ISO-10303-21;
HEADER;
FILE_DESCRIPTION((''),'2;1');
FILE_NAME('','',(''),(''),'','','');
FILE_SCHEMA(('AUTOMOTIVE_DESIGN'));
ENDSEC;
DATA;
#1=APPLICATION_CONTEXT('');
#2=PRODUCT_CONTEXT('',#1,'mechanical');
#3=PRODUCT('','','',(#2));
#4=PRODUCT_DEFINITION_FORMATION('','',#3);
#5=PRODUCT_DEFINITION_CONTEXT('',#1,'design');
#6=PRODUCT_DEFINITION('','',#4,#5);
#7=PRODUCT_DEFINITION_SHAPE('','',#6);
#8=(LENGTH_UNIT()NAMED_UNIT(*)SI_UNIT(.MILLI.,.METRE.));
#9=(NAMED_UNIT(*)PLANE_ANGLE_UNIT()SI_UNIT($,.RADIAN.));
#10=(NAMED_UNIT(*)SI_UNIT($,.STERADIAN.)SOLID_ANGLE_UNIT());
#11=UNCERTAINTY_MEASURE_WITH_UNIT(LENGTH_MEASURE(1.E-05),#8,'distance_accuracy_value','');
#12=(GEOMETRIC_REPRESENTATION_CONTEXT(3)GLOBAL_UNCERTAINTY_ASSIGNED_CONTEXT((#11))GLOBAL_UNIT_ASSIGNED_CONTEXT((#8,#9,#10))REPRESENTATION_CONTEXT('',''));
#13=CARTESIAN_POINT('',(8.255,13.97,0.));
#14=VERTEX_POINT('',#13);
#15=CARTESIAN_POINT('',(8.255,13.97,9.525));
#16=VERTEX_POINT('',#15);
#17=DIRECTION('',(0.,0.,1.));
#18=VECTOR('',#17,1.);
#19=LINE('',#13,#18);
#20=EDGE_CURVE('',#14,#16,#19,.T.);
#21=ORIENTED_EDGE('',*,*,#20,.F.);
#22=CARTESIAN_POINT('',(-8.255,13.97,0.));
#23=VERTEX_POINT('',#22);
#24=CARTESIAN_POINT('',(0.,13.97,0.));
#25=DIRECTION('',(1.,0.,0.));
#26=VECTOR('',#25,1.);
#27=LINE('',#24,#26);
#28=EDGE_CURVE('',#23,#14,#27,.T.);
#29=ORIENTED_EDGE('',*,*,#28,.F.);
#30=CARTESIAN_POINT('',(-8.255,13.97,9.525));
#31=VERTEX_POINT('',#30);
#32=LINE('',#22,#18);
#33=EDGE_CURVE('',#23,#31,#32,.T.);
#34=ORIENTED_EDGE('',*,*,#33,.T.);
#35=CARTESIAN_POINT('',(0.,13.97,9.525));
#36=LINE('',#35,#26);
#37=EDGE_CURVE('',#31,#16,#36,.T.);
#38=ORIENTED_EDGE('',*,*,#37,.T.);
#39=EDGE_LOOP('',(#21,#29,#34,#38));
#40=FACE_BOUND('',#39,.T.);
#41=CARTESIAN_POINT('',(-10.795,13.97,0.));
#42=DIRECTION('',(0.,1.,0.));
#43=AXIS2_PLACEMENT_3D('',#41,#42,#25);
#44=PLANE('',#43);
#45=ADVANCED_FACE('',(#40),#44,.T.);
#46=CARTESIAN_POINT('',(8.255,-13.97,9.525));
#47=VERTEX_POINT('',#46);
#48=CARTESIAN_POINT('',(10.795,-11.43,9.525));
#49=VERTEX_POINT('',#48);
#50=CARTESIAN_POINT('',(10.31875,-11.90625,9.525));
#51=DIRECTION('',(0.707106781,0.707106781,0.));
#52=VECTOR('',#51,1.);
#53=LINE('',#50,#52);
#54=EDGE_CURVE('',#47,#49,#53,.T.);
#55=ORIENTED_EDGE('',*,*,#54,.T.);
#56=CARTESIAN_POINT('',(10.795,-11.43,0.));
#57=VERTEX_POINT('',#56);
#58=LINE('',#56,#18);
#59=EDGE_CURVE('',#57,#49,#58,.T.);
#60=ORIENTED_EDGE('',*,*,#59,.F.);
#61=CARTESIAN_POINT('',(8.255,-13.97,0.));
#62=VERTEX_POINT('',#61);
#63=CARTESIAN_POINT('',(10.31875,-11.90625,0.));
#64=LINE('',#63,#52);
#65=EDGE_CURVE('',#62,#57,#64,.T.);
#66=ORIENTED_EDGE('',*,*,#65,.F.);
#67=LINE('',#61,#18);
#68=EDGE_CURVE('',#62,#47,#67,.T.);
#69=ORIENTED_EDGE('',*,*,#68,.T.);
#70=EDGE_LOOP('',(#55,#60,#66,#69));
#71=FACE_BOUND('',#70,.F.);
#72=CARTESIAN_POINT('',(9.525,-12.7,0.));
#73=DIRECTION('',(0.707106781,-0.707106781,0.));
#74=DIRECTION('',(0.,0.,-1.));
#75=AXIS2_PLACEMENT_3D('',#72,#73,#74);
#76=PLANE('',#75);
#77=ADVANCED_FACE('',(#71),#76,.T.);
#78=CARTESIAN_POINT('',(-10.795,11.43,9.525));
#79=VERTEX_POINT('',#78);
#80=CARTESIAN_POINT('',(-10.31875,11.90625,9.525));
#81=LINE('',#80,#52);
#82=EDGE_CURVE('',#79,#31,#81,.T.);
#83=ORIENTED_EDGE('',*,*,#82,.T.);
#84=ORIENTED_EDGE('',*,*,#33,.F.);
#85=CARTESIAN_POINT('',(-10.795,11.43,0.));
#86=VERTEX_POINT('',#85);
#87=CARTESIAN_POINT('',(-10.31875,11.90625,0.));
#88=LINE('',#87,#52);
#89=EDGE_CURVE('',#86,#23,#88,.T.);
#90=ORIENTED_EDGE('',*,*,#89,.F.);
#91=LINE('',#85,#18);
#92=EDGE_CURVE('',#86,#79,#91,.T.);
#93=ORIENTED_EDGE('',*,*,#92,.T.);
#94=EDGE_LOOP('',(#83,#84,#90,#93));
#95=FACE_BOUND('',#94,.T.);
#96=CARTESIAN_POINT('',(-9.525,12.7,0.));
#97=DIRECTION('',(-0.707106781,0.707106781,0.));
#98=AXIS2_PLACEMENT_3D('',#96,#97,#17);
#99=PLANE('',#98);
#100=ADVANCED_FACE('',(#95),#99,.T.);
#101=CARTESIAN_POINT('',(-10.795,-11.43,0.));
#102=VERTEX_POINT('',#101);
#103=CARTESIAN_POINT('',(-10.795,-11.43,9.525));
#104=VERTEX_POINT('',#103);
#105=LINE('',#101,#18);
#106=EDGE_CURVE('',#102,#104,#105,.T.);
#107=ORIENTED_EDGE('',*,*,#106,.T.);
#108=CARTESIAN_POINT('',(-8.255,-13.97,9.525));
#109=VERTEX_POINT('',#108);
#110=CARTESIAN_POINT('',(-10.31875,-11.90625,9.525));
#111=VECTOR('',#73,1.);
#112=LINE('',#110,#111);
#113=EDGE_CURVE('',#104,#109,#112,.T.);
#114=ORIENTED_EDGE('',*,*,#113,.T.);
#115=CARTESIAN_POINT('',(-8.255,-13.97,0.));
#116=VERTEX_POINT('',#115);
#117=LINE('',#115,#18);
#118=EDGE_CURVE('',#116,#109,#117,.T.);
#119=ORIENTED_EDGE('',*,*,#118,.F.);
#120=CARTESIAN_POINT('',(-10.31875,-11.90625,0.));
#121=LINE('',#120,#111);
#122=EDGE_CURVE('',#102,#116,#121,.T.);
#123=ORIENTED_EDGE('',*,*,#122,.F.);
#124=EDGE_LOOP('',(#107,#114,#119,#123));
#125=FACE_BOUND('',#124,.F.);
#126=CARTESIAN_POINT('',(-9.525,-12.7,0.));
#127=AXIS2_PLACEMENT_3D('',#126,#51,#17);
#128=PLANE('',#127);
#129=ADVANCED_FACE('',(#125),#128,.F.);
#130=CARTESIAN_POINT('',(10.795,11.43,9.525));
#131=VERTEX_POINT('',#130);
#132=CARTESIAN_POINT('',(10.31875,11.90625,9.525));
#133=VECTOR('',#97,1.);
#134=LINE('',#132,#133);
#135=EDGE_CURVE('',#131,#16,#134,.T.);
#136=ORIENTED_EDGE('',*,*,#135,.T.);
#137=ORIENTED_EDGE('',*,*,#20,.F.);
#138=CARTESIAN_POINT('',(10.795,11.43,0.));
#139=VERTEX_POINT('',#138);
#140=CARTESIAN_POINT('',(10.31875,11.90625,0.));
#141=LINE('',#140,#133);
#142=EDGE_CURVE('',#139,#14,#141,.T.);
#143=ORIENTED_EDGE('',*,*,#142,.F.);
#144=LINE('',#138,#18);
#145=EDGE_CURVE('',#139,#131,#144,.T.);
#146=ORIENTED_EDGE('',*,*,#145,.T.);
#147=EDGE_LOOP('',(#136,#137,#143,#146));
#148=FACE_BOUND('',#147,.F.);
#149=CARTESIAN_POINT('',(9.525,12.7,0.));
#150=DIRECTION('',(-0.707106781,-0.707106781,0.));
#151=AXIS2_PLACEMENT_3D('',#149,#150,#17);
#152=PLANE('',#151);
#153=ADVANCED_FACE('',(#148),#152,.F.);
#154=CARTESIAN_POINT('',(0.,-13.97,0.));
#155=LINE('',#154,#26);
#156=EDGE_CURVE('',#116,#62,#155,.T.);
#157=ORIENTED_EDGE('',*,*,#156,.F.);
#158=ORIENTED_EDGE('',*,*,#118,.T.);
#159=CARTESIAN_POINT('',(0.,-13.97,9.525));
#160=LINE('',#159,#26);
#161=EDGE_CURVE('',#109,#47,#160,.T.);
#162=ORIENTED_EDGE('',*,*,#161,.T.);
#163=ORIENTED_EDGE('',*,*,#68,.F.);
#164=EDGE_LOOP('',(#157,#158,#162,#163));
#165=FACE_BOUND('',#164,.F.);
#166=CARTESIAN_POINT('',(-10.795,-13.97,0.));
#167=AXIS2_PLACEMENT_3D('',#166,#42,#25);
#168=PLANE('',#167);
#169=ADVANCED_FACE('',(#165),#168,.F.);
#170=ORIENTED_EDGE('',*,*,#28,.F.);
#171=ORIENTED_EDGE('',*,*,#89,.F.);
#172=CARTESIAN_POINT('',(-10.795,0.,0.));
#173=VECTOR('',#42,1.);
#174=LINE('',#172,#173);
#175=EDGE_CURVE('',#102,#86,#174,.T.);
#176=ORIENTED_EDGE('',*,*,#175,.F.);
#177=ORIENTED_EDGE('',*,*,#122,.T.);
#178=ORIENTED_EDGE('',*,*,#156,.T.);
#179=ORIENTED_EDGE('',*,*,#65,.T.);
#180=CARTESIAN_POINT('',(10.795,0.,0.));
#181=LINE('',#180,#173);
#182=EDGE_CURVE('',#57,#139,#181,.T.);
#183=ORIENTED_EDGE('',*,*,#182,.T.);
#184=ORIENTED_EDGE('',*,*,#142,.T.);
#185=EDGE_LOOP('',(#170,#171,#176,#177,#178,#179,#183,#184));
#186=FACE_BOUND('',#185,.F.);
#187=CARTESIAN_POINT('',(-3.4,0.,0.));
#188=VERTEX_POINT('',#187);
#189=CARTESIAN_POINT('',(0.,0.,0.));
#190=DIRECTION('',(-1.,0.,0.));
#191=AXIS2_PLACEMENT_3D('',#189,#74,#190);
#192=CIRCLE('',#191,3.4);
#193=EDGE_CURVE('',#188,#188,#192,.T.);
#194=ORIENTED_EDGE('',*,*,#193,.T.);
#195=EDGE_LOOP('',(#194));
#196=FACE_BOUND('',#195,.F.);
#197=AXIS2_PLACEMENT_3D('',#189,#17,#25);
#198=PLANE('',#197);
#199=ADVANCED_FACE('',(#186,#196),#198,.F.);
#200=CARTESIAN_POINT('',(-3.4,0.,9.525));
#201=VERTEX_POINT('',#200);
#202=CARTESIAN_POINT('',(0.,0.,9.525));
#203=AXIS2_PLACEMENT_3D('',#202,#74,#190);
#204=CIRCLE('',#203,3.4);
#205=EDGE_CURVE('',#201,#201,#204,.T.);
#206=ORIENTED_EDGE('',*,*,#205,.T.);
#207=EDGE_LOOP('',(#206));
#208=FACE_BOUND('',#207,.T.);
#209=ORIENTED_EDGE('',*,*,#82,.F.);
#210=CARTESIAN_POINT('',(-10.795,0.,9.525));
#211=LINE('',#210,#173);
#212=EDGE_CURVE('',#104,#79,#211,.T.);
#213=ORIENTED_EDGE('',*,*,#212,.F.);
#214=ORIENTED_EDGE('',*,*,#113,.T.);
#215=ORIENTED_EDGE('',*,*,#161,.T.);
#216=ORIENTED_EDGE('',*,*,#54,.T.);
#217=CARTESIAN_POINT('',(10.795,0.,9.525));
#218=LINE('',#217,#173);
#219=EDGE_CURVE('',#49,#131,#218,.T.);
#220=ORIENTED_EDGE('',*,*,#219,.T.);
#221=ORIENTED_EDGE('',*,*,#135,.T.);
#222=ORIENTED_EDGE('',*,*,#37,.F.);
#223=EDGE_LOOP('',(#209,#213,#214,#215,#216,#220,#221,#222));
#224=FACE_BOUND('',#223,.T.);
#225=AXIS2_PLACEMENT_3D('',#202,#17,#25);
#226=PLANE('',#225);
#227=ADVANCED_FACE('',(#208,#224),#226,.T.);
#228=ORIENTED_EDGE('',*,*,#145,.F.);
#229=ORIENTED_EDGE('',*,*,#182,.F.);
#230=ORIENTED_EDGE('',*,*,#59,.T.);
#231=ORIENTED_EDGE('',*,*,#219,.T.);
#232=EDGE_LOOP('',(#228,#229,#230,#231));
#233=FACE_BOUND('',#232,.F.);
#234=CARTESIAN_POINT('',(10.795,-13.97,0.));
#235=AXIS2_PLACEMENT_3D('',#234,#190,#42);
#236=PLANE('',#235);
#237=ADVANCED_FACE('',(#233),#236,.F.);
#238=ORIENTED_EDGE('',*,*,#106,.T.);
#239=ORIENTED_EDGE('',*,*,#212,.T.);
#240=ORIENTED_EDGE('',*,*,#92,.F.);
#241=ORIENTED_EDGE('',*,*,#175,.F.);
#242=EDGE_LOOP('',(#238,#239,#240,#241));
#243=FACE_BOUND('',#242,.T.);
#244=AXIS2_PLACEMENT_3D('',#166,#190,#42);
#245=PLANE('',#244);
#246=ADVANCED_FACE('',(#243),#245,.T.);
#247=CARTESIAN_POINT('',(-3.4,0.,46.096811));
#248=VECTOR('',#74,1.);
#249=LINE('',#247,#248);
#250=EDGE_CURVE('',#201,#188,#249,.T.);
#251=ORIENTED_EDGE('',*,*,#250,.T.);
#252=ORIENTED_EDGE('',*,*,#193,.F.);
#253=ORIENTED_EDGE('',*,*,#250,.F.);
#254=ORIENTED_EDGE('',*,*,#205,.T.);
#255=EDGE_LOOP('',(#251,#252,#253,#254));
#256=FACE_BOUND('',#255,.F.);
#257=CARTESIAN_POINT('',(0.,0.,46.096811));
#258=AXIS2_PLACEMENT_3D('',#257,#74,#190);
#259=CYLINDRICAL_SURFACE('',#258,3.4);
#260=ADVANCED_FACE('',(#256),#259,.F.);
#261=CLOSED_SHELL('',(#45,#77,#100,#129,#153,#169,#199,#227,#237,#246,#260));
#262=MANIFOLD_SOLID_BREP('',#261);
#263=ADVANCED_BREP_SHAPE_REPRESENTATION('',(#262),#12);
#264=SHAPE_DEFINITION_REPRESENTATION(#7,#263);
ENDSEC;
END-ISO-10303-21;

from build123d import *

# Parameters (mm, degrees)
F0_W     = 21.59
F0_H     = 27.94
F1_DEPTH = 9.525
F2_SIZE2 = 2.54
F2_SIZE  = 2.54
F3_R     = 3.302
F4_DEPTH = 9.526
F6_D     = 6.8


with BuildPart() as f1:
    # F0 (on Top) → F1 (new body)
    with BuildSketch(Plane.XY):
        Rectangle(F0_W, F0_H)
    extrude(amount=F1_DEPTH)

    # F2
    f2_edges = [f1.edges().sort_by_distance(p)[0] for p in [
        (-10.795, 13.97, 4.7625),
        (-10.795, -13.97, 4.7625),
        (10.795, -13.97, 4.7625),
        (10.795, 13.97, 4.7625),
    ]]
    chamfer(f2_edges, length=F2_SIZE, length2=F2_SIZE2)

    # F3 (on face) → F4 (cut, through all)
    with BuildSketch(Plane.XY.offset(9.525)):
        Circle(F3_R)
    extrude(amount=-F4_DEPTH, mode=Mode.SUBTRACT)

    # F6 (through all)
    with Locations(Plane.XY.offset(9.525)):
        with Locations((0, 0)):
            Hole(F6_D / 2)


solid = f1.part
